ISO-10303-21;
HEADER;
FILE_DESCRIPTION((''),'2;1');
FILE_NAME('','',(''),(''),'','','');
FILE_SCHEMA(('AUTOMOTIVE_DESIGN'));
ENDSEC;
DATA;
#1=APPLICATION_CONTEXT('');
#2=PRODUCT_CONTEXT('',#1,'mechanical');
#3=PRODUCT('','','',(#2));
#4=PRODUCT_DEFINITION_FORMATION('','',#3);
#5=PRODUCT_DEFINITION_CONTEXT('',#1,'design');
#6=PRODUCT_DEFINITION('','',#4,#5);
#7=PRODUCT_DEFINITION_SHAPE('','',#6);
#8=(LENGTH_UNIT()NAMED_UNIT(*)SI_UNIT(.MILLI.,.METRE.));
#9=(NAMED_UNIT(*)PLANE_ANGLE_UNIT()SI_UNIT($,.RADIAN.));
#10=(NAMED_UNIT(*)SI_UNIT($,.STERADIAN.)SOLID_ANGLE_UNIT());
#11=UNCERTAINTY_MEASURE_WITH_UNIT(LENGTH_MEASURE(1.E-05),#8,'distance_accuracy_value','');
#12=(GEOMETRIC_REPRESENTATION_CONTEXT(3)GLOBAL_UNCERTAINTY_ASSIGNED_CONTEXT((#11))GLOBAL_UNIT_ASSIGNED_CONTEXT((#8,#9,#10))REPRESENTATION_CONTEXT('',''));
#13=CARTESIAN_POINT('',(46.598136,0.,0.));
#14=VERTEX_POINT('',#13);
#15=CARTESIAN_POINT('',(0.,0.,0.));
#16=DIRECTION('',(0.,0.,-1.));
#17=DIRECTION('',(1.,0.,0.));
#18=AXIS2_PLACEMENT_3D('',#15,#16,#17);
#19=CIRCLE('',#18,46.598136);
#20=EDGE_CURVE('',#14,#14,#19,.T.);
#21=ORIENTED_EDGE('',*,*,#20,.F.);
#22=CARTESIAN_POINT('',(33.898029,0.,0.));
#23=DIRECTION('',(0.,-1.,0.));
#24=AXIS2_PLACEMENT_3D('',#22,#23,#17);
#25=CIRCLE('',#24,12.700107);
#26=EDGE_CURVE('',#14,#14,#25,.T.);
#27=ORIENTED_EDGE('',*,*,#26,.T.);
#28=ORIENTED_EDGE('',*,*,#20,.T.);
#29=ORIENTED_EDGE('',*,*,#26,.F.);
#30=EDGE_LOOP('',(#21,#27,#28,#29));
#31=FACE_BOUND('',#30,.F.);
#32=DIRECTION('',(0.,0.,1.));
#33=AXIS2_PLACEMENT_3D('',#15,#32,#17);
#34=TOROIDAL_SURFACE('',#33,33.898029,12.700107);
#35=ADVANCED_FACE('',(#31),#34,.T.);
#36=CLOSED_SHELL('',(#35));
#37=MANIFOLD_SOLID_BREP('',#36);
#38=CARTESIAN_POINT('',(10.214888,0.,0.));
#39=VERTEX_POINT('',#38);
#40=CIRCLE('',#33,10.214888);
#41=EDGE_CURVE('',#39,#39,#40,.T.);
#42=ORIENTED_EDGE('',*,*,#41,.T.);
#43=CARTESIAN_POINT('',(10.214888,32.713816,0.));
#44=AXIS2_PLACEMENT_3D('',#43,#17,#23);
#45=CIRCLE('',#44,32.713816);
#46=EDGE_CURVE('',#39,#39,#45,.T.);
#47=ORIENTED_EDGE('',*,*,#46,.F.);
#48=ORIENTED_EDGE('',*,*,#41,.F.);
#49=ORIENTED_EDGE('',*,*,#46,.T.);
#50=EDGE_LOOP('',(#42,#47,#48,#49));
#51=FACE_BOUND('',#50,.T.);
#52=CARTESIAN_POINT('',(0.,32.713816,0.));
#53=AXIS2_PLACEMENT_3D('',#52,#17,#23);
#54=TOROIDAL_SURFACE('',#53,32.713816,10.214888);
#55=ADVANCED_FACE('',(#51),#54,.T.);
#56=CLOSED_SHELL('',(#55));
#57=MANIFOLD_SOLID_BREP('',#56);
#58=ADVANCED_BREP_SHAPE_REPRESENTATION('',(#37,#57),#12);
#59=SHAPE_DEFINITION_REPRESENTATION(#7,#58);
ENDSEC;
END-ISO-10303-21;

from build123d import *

# Parameters (mm, degrees)
F0_R = 12.700107
F2_R = 10.214888


with BuildPart() as f1:
    # F0 (on Front) → F1 (revolve)
    with BuildSketch(Plane.XZ):
        with Locations((33.898029, 0)):
            Circle(F0_R)
    revolve(axis=Axis((0, 0, 14.062501), (0, 0, -1)))


with BuildPart() as f3:
    # F2 (on Top) → F3 (revolve)
    with BuildSketch(Plane.XY):
        Circle(F2_R)
    revolve(axis=Axis((3.996711, 32.713816, 0), (1, 0, 0)))


solid = Compound([f1.part, f3.part])
